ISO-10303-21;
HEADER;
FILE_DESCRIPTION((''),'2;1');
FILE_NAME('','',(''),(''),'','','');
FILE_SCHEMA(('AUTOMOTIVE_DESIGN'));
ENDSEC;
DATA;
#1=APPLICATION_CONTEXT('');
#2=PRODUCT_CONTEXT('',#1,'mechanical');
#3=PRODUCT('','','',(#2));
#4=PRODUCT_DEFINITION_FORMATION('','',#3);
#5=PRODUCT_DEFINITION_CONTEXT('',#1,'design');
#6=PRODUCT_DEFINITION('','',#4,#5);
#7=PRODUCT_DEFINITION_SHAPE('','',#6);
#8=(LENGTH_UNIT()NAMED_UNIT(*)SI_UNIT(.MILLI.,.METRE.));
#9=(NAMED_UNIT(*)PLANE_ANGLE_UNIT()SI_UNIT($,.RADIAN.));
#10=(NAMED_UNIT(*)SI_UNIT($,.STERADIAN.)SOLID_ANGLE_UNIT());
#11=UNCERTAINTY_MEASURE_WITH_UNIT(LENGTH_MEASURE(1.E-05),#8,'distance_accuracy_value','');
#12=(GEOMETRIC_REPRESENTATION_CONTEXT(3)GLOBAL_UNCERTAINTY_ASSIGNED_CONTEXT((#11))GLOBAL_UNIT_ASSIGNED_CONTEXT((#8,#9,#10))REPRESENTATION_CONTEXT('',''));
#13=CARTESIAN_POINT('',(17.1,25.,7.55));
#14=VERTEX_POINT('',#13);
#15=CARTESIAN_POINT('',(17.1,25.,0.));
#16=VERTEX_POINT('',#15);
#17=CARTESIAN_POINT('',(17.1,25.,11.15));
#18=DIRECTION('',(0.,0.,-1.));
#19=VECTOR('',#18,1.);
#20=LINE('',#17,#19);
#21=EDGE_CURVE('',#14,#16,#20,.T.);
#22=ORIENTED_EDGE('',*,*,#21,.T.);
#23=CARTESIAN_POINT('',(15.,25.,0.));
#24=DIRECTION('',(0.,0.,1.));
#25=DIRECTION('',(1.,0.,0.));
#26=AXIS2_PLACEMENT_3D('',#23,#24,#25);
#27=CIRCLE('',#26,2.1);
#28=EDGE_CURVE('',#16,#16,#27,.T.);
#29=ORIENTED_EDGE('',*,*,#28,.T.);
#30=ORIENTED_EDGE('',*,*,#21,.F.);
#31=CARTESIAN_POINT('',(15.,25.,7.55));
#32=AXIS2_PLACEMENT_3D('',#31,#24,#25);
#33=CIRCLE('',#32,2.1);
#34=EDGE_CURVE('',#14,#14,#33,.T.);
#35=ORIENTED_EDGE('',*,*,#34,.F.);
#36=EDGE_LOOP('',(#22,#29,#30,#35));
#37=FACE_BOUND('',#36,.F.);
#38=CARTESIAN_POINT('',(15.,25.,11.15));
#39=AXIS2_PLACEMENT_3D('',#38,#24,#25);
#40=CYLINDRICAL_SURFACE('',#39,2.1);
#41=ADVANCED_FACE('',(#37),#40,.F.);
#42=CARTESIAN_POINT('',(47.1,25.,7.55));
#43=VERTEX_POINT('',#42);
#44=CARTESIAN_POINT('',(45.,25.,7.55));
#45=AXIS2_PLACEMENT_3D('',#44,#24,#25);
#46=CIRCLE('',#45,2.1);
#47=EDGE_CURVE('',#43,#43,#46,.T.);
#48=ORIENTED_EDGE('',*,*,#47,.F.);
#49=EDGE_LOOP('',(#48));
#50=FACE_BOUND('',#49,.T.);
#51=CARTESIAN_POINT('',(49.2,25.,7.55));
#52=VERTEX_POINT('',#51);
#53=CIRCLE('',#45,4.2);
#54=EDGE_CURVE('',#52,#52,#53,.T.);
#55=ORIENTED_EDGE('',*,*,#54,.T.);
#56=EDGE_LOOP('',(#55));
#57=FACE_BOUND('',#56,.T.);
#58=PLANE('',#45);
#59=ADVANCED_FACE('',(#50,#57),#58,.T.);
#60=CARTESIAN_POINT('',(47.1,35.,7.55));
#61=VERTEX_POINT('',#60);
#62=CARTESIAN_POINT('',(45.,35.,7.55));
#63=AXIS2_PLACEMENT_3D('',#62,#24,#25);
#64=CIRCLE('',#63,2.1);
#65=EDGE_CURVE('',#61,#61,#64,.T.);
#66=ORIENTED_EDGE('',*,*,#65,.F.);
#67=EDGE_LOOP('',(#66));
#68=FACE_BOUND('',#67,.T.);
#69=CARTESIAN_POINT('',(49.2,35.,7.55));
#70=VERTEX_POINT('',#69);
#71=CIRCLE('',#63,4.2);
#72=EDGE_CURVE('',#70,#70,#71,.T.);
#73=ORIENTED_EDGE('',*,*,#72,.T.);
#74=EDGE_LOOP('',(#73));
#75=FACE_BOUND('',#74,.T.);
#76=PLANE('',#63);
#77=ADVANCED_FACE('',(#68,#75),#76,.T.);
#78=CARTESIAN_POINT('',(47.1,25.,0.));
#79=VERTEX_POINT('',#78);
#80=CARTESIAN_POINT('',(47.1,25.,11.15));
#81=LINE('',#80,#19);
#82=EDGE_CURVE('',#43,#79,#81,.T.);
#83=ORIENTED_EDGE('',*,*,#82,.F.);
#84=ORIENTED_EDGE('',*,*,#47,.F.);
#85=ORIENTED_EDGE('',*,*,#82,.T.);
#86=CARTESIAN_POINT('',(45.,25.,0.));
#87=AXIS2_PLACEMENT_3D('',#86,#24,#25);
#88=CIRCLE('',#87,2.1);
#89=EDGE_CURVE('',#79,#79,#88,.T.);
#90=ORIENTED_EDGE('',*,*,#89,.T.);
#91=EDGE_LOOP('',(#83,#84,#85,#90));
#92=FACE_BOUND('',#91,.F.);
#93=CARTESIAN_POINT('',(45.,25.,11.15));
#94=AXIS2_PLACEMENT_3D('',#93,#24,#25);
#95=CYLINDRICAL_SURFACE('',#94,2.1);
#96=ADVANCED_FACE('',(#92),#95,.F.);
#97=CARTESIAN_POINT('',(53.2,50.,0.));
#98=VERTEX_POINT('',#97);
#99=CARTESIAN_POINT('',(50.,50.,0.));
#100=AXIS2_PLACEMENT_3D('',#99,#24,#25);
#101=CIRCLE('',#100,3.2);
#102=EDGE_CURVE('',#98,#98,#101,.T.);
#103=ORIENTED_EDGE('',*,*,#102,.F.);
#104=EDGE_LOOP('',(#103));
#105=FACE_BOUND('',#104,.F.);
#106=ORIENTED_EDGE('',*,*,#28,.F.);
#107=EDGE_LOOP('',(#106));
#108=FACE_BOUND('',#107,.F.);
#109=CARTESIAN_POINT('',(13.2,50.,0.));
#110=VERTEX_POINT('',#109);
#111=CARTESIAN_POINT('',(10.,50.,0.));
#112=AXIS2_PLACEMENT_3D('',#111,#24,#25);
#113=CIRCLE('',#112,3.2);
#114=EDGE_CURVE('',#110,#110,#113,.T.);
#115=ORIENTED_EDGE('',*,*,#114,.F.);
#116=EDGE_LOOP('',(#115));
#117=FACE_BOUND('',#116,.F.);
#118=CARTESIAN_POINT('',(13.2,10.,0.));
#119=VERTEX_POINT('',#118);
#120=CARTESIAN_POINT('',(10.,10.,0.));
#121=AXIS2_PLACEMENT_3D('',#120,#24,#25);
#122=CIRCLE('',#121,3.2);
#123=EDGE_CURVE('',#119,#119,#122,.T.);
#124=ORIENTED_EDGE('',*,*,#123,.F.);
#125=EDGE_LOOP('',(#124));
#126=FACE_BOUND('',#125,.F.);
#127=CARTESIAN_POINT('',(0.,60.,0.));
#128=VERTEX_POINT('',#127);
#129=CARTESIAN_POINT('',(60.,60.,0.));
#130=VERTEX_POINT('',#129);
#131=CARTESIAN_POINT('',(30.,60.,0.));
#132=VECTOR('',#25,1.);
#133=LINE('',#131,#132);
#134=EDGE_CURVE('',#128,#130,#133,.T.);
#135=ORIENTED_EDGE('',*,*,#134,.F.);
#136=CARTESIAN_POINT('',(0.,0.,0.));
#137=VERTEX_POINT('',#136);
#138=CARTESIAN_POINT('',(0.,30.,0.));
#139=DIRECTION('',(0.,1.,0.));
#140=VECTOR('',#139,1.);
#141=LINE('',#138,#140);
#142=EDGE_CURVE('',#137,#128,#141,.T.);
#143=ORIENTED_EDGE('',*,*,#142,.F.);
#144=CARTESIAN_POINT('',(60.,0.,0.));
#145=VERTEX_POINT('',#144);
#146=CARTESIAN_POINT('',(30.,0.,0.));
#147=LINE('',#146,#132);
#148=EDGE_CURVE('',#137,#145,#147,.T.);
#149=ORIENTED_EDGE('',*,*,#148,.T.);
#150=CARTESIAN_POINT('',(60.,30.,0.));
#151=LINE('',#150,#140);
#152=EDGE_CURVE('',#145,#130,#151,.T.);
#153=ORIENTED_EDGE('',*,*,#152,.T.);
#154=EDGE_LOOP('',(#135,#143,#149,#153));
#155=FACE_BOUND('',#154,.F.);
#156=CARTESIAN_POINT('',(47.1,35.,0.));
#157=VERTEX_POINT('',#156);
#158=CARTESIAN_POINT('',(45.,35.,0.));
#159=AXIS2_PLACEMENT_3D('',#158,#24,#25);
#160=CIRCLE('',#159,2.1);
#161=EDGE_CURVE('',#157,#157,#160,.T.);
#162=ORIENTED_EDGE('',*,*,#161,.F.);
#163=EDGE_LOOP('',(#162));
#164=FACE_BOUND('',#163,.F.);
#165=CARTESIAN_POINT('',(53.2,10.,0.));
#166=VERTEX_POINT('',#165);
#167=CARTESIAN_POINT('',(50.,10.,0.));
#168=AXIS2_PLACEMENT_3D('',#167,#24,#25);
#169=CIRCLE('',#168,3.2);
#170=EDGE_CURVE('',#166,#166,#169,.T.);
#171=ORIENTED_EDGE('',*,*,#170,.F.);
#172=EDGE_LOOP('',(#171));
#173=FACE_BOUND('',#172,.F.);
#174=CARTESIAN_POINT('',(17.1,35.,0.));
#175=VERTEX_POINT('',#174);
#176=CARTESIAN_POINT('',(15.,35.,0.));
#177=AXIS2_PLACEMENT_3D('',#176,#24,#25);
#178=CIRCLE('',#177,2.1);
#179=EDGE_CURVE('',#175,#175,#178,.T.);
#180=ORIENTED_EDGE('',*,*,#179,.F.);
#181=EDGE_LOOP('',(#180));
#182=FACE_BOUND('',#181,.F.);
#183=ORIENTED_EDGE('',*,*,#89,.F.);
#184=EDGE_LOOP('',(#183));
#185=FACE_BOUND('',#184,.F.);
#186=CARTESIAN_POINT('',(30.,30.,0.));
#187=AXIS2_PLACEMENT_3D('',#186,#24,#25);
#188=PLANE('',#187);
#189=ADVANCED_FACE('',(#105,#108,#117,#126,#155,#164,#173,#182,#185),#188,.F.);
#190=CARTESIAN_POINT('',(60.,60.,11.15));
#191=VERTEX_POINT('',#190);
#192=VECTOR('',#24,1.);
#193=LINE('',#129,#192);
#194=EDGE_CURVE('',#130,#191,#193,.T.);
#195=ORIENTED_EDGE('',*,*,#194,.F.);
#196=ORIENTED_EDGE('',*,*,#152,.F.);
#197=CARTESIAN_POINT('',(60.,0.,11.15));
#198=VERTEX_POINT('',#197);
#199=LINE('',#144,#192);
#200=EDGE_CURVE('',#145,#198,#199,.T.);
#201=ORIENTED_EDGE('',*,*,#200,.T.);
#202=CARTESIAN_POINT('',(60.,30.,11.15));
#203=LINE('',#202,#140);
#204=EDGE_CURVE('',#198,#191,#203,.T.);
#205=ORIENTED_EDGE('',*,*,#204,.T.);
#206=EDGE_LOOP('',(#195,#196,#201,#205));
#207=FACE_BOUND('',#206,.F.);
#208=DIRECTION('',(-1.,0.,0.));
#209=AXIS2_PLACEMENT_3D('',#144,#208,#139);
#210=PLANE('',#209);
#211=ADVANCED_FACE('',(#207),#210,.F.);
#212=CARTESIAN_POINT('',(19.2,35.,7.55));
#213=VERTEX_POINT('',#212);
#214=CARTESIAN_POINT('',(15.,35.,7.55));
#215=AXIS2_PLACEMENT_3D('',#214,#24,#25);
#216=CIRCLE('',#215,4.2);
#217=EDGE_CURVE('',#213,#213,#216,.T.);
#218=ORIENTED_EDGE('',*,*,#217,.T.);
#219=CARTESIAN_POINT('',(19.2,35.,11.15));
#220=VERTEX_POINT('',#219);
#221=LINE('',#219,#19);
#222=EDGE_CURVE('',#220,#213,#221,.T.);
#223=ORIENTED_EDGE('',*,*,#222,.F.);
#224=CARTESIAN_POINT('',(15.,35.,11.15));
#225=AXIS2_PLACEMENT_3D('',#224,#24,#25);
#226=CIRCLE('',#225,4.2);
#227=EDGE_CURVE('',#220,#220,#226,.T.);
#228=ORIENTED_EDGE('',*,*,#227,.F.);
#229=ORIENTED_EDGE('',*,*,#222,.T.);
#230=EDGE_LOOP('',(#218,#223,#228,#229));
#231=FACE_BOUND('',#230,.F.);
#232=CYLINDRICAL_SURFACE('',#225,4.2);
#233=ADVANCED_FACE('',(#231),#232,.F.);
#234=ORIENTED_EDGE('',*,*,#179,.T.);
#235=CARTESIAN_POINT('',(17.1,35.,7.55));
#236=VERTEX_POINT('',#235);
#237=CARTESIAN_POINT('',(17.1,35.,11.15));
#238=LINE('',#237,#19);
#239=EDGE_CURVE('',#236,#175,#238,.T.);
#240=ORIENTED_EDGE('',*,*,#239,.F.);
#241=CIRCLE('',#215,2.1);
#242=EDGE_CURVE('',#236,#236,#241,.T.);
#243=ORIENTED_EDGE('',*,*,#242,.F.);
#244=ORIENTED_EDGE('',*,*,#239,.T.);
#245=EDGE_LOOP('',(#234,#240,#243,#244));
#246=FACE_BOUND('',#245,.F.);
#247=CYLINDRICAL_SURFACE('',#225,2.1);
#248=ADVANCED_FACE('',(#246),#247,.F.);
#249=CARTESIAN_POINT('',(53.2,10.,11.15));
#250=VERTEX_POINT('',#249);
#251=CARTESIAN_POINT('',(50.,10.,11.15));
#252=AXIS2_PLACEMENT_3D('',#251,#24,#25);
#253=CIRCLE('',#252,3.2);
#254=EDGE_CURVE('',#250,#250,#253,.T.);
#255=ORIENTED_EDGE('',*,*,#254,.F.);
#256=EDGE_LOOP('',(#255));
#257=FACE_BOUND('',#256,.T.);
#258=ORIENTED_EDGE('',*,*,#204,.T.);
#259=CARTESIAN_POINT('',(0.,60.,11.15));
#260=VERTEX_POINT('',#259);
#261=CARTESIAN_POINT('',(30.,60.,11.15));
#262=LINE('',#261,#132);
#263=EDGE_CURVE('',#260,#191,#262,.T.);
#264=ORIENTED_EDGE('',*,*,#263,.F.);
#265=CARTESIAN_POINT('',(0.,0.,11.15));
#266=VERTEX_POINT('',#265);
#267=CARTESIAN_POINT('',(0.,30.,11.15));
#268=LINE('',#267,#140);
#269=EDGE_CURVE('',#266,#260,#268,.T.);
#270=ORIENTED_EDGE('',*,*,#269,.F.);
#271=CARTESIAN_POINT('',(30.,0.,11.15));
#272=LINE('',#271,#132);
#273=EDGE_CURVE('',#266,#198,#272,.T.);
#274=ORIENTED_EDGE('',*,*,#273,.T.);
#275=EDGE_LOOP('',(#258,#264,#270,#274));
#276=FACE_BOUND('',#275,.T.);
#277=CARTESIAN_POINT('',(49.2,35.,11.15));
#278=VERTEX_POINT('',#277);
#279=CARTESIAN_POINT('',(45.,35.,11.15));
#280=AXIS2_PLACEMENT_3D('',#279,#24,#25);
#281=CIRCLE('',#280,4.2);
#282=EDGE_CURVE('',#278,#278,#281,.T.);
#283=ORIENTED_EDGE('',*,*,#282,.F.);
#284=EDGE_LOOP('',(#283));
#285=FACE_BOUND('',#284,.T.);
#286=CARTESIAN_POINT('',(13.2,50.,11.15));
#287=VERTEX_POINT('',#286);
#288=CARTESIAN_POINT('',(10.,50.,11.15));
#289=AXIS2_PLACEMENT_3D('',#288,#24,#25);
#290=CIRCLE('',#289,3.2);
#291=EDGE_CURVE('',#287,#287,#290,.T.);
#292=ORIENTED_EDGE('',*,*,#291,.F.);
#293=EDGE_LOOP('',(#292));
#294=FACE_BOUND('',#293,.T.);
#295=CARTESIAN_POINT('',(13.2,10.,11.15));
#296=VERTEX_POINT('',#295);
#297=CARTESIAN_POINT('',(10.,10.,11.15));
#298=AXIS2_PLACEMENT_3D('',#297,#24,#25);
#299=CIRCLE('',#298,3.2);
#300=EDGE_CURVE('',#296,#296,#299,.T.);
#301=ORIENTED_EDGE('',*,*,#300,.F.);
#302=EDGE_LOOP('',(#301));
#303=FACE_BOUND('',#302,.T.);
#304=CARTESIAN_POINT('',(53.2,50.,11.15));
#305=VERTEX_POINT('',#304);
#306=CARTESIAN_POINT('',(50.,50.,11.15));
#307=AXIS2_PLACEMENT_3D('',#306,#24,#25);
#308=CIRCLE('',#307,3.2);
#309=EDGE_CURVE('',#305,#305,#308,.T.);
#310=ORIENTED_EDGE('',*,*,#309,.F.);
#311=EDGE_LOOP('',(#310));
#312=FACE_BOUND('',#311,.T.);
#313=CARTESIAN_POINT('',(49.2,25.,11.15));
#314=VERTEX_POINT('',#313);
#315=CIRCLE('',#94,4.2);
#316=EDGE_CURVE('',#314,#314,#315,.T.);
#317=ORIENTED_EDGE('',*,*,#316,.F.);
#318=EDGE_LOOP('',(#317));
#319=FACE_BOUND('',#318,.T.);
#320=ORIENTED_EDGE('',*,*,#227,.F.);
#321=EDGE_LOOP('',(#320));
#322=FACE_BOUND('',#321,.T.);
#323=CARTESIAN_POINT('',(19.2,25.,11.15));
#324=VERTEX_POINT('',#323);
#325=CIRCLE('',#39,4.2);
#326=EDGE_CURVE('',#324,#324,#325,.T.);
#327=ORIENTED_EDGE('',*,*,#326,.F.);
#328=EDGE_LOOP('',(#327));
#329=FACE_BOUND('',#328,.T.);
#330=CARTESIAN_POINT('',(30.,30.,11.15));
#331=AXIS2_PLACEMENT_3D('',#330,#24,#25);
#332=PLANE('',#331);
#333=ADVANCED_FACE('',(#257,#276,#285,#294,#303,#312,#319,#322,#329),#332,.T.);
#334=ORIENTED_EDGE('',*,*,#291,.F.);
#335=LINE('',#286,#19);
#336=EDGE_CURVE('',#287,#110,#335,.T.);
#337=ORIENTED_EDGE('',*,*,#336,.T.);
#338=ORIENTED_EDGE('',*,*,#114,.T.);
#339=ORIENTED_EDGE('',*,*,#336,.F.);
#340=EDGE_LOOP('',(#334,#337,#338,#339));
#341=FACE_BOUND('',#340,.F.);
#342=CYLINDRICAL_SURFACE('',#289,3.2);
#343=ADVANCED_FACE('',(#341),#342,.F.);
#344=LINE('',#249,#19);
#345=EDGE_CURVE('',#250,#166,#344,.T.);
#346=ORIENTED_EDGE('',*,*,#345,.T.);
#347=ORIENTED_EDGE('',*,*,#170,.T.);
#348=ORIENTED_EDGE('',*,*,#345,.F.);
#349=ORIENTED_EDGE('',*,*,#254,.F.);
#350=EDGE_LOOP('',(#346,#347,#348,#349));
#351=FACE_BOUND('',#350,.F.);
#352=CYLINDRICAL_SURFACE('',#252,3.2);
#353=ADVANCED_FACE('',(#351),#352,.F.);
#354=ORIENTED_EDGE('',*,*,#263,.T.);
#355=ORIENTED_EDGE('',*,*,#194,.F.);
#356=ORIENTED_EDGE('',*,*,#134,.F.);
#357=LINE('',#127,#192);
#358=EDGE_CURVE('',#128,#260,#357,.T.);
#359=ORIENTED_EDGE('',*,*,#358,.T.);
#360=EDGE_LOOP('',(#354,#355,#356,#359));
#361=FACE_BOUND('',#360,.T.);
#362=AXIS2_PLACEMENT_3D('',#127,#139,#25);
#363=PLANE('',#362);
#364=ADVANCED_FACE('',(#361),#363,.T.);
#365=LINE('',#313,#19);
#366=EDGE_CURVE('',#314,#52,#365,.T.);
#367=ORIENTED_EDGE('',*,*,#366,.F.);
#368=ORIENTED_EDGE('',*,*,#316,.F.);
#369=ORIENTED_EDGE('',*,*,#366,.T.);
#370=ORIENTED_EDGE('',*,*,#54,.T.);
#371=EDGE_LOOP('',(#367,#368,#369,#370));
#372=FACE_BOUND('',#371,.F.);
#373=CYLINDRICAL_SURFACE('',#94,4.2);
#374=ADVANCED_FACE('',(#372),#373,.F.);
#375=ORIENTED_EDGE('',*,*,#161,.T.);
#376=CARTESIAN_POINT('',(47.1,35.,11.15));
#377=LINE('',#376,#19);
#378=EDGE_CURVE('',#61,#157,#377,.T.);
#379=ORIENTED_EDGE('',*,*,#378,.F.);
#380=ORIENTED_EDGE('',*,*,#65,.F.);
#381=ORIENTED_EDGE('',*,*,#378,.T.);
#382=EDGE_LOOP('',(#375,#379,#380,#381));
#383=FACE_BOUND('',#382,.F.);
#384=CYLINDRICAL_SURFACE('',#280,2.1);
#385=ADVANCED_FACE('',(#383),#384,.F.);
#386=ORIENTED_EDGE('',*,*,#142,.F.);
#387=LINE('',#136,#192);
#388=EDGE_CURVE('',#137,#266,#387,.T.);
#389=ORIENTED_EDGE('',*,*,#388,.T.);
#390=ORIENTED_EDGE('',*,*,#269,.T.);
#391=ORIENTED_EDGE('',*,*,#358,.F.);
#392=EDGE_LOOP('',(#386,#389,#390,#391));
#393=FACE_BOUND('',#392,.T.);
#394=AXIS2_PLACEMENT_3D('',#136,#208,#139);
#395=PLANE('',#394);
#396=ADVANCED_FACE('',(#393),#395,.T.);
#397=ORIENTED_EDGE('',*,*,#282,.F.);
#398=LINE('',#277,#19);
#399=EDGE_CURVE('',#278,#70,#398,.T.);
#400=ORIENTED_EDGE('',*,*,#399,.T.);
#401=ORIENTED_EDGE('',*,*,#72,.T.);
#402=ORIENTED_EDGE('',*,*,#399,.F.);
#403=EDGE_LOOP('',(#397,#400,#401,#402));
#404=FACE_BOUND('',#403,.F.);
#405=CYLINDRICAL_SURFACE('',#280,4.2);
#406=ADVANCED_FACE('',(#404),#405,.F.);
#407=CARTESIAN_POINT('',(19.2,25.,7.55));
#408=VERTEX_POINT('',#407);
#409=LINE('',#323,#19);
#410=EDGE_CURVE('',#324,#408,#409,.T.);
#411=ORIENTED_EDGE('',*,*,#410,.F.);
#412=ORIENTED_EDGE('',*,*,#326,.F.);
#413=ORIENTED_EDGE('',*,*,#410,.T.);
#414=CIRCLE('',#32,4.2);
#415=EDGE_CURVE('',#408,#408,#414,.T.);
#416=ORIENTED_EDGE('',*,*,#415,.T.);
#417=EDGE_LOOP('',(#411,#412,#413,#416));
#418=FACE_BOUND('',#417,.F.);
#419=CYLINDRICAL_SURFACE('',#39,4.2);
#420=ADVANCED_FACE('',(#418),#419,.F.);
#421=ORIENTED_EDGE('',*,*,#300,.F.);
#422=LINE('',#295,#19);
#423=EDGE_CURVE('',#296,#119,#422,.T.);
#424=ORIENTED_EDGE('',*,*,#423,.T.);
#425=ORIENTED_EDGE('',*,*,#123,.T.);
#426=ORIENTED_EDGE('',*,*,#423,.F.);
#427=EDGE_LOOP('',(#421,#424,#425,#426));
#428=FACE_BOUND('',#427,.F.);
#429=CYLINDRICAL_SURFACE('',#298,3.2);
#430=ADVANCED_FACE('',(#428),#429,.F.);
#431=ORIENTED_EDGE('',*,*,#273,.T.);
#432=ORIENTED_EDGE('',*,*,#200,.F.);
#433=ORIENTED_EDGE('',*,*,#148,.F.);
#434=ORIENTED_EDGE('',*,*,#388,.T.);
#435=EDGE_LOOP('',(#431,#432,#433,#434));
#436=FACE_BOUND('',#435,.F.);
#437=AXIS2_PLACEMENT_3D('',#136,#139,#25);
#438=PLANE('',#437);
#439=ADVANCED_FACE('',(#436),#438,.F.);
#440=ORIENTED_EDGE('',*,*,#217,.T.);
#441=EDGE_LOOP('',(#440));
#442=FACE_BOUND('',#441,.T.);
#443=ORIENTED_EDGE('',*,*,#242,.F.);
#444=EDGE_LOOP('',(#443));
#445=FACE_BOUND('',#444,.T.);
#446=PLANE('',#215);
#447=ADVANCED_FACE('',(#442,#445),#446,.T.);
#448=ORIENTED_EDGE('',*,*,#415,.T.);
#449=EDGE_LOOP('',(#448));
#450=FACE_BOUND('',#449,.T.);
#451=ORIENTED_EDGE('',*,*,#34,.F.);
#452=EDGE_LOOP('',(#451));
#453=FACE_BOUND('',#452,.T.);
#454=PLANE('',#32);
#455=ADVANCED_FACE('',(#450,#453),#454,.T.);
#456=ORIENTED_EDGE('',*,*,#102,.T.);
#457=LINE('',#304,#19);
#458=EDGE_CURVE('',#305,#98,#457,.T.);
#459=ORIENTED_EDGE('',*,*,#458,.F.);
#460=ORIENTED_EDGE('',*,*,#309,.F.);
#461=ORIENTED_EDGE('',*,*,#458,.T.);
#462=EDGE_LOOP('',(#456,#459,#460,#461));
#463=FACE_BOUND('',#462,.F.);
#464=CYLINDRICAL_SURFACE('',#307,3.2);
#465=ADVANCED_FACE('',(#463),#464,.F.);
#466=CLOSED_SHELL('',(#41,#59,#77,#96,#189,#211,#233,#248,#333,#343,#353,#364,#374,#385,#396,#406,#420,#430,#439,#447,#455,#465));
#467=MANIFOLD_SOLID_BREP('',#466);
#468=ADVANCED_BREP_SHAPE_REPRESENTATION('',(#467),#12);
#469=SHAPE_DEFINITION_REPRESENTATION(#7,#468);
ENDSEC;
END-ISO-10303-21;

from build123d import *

# Parameters (mm, degrees)
SKETCH_W        = 60
SKETCH_H        = 60
PAD_DEPTH       = 11.15
SKETCH001_R     = 2.1
SKETCH001_R_2   = 3.2
POCKET_DEPTH    = 12
SKETCH002_R     = 4.2
POCKET001_DEPTH = 3.6


with BuildPart() as part:
    # Sketch → Pad (new body)
    with BuildSketch(Plane.XY):
        with Locations((30, 30)):
            Rectangle(SKETCH_W, SKETCH_H)
    extrude(amount=PAD_DEPTH)

    # Sketch001 (on Face6 of Pad) → Pocket (cut)
    with BuildSketch(Plane.XY.offset(11.15)):
        with Locations((15, 35)):
            Circle(SKETCH001_R)
        with Locations((45, 35)):
            Circle(SKETCH001_R)
        with Locations((15, 25)):
            Circle(SKETCH001_R)
        with Locations((45, 25)):
            Circle(SKETCH001_R)
        with Locations((10, 50)):
            Circle(SKETCH001_R_2)
        with Locations((50, 50)):
            Circle(SKETCH001_R_2)
        with Locations((10, 10)):
            Circle(SKETCH001_R_2)
        with Locations((50, 10)):
            Circle(SKETCH001_R_2)
    extrude(amount=-POCKET_DEPTH, mode=Mode.SUBTRACT)

    # Sketch002 (on Face5 of Pocket) → Pocket001 (cut)
    with BuildSketch(Plane.XY.offset(11.15)):
        with Locations((15, 35)):
            Circle(SKETCH002_R)
        with Locations((45, 35)):
            Circle(SKETCH002_R)
        with Locations((45, 25)):
            Circle(SKETCH002_R)
        with Locations((15, 25)):
            Circle(SKETCH002_R)
    extrude(amount=-POCKET001_DEPTH, mode=Mode.SUBTRACT)


solid = part.part
